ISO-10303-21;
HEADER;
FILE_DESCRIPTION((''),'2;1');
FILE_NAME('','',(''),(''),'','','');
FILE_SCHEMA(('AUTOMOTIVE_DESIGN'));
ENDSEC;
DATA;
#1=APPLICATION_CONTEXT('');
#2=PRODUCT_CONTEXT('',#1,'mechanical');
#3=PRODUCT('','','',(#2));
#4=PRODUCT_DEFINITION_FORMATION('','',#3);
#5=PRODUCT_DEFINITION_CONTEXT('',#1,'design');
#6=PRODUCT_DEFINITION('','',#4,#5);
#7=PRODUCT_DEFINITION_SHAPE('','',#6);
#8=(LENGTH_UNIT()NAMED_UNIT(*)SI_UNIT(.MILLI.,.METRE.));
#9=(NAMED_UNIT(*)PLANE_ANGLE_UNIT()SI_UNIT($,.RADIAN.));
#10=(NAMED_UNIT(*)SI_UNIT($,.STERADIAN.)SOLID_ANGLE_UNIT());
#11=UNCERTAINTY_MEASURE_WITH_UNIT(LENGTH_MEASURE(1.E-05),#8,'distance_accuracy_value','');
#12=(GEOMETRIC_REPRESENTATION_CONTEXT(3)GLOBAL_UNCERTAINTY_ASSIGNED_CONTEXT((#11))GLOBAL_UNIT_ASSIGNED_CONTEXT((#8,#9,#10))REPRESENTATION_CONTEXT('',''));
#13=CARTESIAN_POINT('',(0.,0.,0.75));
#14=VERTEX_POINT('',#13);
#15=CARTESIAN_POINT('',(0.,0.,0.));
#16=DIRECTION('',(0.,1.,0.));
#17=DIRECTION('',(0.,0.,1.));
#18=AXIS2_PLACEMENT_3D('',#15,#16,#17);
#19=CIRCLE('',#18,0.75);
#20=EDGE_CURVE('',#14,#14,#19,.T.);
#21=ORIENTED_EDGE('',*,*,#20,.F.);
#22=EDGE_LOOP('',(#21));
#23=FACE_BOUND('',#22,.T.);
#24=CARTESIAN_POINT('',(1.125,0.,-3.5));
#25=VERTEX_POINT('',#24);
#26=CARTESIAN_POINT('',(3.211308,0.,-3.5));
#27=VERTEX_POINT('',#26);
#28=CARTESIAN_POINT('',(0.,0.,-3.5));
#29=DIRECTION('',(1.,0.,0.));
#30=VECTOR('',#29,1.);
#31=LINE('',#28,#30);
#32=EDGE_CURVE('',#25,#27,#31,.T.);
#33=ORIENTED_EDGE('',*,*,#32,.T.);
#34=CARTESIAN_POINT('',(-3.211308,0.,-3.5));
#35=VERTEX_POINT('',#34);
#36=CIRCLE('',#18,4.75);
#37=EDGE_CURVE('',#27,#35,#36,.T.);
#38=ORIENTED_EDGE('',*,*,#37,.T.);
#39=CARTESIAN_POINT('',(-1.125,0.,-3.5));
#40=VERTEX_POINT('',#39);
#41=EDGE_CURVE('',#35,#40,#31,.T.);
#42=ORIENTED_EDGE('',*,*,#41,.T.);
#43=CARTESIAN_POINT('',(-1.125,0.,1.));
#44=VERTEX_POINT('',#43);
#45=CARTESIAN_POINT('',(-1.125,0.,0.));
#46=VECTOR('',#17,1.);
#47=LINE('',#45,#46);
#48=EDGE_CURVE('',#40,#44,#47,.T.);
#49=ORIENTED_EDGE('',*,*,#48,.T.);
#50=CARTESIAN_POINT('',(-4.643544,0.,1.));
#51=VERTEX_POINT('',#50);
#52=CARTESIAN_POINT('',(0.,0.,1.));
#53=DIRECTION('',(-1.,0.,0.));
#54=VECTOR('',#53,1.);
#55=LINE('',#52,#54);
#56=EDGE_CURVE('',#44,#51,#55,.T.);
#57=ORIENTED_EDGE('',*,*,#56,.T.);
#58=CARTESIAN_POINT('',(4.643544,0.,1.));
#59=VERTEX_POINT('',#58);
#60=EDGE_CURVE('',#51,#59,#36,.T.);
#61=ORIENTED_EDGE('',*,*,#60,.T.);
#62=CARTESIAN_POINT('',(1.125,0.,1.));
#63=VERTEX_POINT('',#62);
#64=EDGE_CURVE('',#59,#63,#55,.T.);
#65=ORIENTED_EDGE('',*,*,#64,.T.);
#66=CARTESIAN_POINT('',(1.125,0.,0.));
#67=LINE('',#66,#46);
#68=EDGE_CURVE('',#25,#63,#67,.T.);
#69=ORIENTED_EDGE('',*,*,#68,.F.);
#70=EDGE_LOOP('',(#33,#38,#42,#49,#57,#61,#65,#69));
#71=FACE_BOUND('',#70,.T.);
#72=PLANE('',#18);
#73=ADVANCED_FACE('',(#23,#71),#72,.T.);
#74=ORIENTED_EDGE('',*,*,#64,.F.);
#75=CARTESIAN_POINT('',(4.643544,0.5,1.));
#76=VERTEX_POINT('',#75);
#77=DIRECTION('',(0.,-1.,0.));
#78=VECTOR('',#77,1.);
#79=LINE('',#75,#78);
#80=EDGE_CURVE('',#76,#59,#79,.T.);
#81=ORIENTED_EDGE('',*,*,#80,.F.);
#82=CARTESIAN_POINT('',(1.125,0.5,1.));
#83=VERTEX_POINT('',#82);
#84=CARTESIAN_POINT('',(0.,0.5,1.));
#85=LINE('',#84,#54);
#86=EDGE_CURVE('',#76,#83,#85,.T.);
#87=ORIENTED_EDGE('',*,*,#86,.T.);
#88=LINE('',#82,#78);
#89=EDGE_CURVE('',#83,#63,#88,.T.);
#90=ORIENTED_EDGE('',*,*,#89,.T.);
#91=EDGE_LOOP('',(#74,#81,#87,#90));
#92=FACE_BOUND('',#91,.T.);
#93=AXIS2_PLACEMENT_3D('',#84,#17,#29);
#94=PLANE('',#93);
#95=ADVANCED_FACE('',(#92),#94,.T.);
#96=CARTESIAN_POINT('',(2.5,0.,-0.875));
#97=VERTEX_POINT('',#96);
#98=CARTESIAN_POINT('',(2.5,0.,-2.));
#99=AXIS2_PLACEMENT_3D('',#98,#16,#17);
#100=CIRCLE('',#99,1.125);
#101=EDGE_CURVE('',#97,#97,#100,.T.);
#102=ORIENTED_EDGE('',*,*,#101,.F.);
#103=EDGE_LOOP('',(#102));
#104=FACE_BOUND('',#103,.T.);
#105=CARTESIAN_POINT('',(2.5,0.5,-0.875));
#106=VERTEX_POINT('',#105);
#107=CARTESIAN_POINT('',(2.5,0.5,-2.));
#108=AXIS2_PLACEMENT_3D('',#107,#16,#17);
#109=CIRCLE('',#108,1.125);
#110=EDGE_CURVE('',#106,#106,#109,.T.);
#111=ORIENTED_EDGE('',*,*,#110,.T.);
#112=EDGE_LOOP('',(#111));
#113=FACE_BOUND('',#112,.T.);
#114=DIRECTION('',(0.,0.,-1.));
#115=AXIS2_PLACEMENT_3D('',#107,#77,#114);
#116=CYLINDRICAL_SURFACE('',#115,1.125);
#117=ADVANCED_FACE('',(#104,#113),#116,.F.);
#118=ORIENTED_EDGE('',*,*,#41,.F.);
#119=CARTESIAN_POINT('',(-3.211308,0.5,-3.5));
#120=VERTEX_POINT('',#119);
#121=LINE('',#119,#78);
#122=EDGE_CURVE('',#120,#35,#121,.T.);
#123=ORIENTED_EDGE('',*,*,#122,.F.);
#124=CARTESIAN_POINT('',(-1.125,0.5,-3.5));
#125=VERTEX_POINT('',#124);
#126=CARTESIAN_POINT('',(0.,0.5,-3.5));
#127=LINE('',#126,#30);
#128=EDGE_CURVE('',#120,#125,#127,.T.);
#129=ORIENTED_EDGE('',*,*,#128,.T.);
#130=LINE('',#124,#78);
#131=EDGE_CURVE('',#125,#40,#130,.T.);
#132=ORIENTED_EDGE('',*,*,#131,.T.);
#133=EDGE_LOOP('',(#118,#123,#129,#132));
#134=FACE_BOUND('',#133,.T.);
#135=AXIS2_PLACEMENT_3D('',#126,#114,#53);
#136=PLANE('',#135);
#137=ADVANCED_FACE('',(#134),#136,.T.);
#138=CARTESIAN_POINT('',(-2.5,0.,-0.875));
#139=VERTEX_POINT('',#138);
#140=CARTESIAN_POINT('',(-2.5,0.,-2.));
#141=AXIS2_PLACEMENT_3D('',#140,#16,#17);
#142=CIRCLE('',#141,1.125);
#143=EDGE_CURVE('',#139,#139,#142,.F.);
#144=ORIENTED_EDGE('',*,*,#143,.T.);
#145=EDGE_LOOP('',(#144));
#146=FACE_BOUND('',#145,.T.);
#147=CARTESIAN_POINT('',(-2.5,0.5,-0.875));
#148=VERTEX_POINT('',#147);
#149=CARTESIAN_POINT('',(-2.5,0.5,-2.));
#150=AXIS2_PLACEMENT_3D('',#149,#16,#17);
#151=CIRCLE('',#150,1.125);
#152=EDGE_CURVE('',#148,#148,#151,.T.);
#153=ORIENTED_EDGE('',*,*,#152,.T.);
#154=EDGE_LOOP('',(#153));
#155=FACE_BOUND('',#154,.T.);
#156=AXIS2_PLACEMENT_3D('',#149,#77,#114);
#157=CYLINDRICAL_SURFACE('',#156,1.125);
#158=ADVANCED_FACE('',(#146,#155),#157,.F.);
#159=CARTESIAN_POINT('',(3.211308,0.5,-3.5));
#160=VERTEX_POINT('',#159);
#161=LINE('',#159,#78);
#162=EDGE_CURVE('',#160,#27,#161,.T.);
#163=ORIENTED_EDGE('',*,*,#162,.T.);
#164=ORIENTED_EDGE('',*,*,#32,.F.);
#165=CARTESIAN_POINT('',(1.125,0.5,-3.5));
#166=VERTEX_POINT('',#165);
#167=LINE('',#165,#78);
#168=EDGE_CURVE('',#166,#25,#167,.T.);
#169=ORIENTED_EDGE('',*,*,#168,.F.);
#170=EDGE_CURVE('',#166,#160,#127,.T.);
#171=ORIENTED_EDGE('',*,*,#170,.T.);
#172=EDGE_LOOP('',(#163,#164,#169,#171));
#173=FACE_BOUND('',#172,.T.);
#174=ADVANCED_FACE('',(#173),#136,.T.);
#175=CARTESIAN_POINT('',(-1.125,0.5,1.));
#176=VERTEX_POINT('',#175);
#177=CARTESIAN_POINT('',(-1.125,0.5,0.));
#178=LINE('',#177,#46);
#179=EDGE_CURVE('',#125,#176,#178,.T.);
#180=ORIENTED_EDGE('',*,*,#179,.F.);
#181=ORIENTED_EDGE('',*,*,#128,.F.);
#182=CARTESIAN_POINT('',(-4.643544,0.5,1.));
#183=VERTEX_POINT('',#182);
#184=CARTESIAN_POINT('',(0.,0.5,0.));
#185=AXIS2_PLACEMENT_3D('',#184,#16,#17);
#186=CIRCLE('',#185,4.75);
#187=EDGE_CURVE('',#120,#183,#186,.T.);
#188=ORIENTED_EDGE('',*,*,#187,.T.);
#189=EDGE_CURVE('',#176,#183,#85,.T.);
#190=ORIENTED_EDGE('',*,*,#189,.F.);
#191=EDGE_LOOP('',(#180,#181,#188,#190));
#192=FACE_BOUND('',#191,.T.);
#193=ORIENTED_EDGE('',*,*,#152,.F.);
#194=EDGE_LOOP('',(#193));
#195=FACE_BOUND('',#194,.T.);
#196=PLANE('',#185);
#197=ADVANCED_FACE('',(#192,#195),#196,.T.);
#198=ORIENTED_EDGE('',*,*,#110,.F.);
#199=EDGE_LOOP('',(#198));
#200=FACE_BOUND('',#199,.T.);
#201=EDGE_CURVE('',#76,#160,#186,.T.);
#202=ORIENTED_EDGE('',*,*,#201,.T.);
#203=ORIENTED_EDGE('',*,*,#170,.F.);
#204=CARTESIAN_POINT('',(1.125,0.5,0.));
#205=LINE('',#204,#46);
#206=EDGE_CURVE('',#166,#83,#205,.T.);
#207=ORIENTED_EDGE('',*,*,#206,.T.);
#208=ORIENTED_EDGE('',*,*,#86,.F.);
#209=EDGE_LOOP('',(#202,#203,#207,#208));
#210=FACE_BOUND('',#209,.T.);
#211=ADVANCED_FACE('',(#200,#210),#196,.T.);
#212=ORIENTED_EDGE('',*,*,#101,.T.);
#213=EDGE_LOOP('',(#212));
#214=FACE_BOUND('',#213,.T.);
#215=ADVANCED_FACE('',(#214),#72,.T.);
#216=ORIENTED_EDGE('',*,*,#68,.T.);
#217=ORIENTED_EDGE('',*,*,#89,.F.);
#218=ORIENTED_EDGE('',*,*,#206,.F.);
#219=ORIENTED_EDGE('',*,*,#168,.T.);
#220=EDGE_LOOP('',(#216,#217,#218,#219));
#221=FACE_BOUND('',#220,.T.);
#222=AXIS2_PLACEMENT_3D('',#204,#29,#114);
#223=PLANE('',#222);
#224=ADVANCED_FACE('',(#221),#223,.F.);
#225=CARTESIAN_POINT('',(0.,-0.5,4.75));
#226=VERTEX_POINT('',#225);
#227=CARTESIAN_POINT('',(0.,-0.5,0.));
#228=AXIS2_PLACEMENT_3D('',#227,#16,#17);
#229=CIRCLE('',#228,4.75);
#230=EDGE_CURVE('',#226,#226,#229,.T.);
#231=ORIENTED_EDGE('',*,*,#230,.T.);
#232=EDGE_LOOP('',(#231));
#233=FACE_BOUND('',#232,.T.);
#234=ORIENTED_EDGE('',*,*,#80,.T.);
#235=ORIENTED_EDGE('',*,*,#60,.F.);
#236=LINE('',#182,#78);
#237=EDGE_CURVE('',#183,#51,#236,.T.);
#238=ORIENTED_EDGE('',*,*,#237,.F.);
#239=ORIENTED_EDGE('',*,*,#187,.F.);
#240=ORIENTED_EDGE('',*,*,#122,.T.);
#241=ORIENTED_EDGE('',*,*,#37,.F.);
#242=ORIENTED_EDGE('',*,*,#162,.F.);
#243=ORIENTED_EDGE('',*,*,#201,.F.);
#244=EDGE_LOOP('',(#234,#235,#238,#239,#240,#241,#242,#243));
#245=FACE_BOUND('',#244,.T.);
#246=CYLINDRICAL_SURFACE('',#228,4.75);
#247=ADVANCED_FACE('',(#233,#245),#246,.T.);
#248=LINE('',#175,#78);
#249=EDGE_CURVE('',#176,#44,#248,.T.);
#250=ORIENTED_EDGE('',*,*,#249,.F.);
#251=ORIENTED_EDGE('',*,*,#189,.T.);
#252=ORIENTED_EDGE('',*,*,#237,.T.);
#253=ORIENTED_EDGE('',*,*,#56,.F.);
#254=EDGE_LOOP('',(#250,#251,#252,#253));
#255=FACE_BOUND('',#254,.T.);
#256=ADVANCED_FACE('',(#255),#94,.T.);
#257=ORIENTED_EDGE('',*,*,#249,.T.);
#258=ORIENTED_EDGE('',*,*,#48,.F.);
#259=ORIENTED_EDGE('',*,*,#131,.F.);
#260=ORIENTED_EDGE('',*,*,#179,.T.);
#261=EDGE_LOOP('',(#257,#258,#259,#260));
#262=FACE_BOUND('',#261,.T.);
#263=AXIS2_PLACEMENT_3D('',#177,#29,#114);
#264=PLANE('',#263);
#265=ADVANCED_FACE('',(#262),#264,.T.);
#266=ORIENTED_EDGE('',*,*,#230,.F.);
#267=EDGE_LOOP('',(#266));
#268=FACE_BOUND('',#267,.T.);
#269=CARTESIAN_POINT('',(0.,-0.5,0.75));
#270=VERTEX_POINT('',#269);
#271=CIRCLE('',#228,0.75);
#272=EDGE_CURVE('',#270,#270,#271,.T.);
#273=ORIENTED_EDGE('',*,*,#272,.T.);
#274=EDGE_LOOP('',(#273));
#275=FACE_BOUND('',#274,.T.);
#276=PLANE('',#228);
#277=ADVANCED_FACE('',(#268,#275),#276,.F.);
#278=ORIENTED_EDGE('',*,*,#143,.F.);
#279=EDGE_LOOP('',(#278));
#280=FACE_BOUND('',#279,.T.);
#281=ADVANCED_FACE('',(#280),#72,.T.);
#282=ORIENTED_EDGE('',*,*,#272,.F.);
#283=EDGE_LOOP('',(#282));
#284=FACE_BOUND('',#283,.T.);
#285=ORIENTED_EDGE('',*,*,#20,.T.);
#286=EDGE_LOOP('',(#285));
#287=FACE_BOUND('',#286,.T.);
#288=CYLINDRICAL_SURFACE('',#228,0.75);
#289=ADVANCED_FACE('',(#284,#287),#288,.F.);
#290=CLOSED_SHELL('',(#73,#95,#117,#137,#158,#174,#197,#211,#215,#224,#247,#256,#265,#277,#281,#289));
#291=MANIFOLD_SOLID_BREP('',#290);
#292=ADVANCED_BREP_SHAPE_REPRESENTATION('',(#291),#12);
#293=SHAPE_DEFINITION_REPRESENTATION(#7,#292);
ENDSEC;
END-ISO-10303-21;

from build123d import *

# Parameters (mm, degrees)
SKETCH_1_R      = 4.75
SKETCH_1_R_2    = 0.75
EXTRUDE_1_DEPTH = 0.5
EXTRUDE_START   = 0.5
SKETCH_1_3_R    = 1.125
EXTRUDE_2_DEPTH = 0.5


with BuildPart() as part:
    # 草图1 → 凸台-拉伸1 (new body)
    with BuildSketch(Plane(origin=(0, 0, 0), x_dir=(1, 0, 0), z_dir=(0, 1, 0))):
        Circle(SKETCH_1_R)
        Circle(SKETCH_1_R_2, mode=Mode.SUBTRACT)
    extrude(amount=-EXTRUDE_1_DEPTH)

    # 草图1<3> → 凸台-拉伸2 (add)
    # profile 1 of 2: a face of its own
    with BuildSketch(Plane(origin=(0, 0, 0), x_dir=(1, 0, 0), z_dir=(0, 1, 0)).offset(EXTRUDE_START)):
        with BuildLine():
            Line((1.125, -1), (4.643543905, -1))
            ThreePointArc((4.643543905, -1), (4.526276083, 1.440598771), (3.211308145, 3.5))
            Line((3.211308145, 3.5), (1.125, 3.5))
            Line((1.125, 3.5), (1.125, -1))
        make_face()
        with Locations((2.5, 2)):
            Circle(SKETCH_1_3_R, mode=Mode.SUBTRACT)
    # profile 2 of 2: a face of its own
    with BuildSketch(Plane(origin=(0, 0, 0), x_dir=(1, 0, 0), z_dir=(0, 1, 0)).offset(EXTRUDE_START)):
        with BuildLine():
            ThreePointArc((-3.211308145, 3.5), (-4.526276083, 1.440598771), (-4.643543905, -1))
            Line((-4.643543905, -1), (-1.125, -1))
            Line((-1.125, -1), (-1.125, 3.5))
            Line((-1.125, 3.5), (-3.211308145, 3.5))
        make_face()
        with Locations((-2.5, 2)):
            Circle(SKETCH_1_3_R, mode=Mode.SUBTRACT)
    extrude(amount=-EXTRUDE_2_DEPTH)


solid = part.part
